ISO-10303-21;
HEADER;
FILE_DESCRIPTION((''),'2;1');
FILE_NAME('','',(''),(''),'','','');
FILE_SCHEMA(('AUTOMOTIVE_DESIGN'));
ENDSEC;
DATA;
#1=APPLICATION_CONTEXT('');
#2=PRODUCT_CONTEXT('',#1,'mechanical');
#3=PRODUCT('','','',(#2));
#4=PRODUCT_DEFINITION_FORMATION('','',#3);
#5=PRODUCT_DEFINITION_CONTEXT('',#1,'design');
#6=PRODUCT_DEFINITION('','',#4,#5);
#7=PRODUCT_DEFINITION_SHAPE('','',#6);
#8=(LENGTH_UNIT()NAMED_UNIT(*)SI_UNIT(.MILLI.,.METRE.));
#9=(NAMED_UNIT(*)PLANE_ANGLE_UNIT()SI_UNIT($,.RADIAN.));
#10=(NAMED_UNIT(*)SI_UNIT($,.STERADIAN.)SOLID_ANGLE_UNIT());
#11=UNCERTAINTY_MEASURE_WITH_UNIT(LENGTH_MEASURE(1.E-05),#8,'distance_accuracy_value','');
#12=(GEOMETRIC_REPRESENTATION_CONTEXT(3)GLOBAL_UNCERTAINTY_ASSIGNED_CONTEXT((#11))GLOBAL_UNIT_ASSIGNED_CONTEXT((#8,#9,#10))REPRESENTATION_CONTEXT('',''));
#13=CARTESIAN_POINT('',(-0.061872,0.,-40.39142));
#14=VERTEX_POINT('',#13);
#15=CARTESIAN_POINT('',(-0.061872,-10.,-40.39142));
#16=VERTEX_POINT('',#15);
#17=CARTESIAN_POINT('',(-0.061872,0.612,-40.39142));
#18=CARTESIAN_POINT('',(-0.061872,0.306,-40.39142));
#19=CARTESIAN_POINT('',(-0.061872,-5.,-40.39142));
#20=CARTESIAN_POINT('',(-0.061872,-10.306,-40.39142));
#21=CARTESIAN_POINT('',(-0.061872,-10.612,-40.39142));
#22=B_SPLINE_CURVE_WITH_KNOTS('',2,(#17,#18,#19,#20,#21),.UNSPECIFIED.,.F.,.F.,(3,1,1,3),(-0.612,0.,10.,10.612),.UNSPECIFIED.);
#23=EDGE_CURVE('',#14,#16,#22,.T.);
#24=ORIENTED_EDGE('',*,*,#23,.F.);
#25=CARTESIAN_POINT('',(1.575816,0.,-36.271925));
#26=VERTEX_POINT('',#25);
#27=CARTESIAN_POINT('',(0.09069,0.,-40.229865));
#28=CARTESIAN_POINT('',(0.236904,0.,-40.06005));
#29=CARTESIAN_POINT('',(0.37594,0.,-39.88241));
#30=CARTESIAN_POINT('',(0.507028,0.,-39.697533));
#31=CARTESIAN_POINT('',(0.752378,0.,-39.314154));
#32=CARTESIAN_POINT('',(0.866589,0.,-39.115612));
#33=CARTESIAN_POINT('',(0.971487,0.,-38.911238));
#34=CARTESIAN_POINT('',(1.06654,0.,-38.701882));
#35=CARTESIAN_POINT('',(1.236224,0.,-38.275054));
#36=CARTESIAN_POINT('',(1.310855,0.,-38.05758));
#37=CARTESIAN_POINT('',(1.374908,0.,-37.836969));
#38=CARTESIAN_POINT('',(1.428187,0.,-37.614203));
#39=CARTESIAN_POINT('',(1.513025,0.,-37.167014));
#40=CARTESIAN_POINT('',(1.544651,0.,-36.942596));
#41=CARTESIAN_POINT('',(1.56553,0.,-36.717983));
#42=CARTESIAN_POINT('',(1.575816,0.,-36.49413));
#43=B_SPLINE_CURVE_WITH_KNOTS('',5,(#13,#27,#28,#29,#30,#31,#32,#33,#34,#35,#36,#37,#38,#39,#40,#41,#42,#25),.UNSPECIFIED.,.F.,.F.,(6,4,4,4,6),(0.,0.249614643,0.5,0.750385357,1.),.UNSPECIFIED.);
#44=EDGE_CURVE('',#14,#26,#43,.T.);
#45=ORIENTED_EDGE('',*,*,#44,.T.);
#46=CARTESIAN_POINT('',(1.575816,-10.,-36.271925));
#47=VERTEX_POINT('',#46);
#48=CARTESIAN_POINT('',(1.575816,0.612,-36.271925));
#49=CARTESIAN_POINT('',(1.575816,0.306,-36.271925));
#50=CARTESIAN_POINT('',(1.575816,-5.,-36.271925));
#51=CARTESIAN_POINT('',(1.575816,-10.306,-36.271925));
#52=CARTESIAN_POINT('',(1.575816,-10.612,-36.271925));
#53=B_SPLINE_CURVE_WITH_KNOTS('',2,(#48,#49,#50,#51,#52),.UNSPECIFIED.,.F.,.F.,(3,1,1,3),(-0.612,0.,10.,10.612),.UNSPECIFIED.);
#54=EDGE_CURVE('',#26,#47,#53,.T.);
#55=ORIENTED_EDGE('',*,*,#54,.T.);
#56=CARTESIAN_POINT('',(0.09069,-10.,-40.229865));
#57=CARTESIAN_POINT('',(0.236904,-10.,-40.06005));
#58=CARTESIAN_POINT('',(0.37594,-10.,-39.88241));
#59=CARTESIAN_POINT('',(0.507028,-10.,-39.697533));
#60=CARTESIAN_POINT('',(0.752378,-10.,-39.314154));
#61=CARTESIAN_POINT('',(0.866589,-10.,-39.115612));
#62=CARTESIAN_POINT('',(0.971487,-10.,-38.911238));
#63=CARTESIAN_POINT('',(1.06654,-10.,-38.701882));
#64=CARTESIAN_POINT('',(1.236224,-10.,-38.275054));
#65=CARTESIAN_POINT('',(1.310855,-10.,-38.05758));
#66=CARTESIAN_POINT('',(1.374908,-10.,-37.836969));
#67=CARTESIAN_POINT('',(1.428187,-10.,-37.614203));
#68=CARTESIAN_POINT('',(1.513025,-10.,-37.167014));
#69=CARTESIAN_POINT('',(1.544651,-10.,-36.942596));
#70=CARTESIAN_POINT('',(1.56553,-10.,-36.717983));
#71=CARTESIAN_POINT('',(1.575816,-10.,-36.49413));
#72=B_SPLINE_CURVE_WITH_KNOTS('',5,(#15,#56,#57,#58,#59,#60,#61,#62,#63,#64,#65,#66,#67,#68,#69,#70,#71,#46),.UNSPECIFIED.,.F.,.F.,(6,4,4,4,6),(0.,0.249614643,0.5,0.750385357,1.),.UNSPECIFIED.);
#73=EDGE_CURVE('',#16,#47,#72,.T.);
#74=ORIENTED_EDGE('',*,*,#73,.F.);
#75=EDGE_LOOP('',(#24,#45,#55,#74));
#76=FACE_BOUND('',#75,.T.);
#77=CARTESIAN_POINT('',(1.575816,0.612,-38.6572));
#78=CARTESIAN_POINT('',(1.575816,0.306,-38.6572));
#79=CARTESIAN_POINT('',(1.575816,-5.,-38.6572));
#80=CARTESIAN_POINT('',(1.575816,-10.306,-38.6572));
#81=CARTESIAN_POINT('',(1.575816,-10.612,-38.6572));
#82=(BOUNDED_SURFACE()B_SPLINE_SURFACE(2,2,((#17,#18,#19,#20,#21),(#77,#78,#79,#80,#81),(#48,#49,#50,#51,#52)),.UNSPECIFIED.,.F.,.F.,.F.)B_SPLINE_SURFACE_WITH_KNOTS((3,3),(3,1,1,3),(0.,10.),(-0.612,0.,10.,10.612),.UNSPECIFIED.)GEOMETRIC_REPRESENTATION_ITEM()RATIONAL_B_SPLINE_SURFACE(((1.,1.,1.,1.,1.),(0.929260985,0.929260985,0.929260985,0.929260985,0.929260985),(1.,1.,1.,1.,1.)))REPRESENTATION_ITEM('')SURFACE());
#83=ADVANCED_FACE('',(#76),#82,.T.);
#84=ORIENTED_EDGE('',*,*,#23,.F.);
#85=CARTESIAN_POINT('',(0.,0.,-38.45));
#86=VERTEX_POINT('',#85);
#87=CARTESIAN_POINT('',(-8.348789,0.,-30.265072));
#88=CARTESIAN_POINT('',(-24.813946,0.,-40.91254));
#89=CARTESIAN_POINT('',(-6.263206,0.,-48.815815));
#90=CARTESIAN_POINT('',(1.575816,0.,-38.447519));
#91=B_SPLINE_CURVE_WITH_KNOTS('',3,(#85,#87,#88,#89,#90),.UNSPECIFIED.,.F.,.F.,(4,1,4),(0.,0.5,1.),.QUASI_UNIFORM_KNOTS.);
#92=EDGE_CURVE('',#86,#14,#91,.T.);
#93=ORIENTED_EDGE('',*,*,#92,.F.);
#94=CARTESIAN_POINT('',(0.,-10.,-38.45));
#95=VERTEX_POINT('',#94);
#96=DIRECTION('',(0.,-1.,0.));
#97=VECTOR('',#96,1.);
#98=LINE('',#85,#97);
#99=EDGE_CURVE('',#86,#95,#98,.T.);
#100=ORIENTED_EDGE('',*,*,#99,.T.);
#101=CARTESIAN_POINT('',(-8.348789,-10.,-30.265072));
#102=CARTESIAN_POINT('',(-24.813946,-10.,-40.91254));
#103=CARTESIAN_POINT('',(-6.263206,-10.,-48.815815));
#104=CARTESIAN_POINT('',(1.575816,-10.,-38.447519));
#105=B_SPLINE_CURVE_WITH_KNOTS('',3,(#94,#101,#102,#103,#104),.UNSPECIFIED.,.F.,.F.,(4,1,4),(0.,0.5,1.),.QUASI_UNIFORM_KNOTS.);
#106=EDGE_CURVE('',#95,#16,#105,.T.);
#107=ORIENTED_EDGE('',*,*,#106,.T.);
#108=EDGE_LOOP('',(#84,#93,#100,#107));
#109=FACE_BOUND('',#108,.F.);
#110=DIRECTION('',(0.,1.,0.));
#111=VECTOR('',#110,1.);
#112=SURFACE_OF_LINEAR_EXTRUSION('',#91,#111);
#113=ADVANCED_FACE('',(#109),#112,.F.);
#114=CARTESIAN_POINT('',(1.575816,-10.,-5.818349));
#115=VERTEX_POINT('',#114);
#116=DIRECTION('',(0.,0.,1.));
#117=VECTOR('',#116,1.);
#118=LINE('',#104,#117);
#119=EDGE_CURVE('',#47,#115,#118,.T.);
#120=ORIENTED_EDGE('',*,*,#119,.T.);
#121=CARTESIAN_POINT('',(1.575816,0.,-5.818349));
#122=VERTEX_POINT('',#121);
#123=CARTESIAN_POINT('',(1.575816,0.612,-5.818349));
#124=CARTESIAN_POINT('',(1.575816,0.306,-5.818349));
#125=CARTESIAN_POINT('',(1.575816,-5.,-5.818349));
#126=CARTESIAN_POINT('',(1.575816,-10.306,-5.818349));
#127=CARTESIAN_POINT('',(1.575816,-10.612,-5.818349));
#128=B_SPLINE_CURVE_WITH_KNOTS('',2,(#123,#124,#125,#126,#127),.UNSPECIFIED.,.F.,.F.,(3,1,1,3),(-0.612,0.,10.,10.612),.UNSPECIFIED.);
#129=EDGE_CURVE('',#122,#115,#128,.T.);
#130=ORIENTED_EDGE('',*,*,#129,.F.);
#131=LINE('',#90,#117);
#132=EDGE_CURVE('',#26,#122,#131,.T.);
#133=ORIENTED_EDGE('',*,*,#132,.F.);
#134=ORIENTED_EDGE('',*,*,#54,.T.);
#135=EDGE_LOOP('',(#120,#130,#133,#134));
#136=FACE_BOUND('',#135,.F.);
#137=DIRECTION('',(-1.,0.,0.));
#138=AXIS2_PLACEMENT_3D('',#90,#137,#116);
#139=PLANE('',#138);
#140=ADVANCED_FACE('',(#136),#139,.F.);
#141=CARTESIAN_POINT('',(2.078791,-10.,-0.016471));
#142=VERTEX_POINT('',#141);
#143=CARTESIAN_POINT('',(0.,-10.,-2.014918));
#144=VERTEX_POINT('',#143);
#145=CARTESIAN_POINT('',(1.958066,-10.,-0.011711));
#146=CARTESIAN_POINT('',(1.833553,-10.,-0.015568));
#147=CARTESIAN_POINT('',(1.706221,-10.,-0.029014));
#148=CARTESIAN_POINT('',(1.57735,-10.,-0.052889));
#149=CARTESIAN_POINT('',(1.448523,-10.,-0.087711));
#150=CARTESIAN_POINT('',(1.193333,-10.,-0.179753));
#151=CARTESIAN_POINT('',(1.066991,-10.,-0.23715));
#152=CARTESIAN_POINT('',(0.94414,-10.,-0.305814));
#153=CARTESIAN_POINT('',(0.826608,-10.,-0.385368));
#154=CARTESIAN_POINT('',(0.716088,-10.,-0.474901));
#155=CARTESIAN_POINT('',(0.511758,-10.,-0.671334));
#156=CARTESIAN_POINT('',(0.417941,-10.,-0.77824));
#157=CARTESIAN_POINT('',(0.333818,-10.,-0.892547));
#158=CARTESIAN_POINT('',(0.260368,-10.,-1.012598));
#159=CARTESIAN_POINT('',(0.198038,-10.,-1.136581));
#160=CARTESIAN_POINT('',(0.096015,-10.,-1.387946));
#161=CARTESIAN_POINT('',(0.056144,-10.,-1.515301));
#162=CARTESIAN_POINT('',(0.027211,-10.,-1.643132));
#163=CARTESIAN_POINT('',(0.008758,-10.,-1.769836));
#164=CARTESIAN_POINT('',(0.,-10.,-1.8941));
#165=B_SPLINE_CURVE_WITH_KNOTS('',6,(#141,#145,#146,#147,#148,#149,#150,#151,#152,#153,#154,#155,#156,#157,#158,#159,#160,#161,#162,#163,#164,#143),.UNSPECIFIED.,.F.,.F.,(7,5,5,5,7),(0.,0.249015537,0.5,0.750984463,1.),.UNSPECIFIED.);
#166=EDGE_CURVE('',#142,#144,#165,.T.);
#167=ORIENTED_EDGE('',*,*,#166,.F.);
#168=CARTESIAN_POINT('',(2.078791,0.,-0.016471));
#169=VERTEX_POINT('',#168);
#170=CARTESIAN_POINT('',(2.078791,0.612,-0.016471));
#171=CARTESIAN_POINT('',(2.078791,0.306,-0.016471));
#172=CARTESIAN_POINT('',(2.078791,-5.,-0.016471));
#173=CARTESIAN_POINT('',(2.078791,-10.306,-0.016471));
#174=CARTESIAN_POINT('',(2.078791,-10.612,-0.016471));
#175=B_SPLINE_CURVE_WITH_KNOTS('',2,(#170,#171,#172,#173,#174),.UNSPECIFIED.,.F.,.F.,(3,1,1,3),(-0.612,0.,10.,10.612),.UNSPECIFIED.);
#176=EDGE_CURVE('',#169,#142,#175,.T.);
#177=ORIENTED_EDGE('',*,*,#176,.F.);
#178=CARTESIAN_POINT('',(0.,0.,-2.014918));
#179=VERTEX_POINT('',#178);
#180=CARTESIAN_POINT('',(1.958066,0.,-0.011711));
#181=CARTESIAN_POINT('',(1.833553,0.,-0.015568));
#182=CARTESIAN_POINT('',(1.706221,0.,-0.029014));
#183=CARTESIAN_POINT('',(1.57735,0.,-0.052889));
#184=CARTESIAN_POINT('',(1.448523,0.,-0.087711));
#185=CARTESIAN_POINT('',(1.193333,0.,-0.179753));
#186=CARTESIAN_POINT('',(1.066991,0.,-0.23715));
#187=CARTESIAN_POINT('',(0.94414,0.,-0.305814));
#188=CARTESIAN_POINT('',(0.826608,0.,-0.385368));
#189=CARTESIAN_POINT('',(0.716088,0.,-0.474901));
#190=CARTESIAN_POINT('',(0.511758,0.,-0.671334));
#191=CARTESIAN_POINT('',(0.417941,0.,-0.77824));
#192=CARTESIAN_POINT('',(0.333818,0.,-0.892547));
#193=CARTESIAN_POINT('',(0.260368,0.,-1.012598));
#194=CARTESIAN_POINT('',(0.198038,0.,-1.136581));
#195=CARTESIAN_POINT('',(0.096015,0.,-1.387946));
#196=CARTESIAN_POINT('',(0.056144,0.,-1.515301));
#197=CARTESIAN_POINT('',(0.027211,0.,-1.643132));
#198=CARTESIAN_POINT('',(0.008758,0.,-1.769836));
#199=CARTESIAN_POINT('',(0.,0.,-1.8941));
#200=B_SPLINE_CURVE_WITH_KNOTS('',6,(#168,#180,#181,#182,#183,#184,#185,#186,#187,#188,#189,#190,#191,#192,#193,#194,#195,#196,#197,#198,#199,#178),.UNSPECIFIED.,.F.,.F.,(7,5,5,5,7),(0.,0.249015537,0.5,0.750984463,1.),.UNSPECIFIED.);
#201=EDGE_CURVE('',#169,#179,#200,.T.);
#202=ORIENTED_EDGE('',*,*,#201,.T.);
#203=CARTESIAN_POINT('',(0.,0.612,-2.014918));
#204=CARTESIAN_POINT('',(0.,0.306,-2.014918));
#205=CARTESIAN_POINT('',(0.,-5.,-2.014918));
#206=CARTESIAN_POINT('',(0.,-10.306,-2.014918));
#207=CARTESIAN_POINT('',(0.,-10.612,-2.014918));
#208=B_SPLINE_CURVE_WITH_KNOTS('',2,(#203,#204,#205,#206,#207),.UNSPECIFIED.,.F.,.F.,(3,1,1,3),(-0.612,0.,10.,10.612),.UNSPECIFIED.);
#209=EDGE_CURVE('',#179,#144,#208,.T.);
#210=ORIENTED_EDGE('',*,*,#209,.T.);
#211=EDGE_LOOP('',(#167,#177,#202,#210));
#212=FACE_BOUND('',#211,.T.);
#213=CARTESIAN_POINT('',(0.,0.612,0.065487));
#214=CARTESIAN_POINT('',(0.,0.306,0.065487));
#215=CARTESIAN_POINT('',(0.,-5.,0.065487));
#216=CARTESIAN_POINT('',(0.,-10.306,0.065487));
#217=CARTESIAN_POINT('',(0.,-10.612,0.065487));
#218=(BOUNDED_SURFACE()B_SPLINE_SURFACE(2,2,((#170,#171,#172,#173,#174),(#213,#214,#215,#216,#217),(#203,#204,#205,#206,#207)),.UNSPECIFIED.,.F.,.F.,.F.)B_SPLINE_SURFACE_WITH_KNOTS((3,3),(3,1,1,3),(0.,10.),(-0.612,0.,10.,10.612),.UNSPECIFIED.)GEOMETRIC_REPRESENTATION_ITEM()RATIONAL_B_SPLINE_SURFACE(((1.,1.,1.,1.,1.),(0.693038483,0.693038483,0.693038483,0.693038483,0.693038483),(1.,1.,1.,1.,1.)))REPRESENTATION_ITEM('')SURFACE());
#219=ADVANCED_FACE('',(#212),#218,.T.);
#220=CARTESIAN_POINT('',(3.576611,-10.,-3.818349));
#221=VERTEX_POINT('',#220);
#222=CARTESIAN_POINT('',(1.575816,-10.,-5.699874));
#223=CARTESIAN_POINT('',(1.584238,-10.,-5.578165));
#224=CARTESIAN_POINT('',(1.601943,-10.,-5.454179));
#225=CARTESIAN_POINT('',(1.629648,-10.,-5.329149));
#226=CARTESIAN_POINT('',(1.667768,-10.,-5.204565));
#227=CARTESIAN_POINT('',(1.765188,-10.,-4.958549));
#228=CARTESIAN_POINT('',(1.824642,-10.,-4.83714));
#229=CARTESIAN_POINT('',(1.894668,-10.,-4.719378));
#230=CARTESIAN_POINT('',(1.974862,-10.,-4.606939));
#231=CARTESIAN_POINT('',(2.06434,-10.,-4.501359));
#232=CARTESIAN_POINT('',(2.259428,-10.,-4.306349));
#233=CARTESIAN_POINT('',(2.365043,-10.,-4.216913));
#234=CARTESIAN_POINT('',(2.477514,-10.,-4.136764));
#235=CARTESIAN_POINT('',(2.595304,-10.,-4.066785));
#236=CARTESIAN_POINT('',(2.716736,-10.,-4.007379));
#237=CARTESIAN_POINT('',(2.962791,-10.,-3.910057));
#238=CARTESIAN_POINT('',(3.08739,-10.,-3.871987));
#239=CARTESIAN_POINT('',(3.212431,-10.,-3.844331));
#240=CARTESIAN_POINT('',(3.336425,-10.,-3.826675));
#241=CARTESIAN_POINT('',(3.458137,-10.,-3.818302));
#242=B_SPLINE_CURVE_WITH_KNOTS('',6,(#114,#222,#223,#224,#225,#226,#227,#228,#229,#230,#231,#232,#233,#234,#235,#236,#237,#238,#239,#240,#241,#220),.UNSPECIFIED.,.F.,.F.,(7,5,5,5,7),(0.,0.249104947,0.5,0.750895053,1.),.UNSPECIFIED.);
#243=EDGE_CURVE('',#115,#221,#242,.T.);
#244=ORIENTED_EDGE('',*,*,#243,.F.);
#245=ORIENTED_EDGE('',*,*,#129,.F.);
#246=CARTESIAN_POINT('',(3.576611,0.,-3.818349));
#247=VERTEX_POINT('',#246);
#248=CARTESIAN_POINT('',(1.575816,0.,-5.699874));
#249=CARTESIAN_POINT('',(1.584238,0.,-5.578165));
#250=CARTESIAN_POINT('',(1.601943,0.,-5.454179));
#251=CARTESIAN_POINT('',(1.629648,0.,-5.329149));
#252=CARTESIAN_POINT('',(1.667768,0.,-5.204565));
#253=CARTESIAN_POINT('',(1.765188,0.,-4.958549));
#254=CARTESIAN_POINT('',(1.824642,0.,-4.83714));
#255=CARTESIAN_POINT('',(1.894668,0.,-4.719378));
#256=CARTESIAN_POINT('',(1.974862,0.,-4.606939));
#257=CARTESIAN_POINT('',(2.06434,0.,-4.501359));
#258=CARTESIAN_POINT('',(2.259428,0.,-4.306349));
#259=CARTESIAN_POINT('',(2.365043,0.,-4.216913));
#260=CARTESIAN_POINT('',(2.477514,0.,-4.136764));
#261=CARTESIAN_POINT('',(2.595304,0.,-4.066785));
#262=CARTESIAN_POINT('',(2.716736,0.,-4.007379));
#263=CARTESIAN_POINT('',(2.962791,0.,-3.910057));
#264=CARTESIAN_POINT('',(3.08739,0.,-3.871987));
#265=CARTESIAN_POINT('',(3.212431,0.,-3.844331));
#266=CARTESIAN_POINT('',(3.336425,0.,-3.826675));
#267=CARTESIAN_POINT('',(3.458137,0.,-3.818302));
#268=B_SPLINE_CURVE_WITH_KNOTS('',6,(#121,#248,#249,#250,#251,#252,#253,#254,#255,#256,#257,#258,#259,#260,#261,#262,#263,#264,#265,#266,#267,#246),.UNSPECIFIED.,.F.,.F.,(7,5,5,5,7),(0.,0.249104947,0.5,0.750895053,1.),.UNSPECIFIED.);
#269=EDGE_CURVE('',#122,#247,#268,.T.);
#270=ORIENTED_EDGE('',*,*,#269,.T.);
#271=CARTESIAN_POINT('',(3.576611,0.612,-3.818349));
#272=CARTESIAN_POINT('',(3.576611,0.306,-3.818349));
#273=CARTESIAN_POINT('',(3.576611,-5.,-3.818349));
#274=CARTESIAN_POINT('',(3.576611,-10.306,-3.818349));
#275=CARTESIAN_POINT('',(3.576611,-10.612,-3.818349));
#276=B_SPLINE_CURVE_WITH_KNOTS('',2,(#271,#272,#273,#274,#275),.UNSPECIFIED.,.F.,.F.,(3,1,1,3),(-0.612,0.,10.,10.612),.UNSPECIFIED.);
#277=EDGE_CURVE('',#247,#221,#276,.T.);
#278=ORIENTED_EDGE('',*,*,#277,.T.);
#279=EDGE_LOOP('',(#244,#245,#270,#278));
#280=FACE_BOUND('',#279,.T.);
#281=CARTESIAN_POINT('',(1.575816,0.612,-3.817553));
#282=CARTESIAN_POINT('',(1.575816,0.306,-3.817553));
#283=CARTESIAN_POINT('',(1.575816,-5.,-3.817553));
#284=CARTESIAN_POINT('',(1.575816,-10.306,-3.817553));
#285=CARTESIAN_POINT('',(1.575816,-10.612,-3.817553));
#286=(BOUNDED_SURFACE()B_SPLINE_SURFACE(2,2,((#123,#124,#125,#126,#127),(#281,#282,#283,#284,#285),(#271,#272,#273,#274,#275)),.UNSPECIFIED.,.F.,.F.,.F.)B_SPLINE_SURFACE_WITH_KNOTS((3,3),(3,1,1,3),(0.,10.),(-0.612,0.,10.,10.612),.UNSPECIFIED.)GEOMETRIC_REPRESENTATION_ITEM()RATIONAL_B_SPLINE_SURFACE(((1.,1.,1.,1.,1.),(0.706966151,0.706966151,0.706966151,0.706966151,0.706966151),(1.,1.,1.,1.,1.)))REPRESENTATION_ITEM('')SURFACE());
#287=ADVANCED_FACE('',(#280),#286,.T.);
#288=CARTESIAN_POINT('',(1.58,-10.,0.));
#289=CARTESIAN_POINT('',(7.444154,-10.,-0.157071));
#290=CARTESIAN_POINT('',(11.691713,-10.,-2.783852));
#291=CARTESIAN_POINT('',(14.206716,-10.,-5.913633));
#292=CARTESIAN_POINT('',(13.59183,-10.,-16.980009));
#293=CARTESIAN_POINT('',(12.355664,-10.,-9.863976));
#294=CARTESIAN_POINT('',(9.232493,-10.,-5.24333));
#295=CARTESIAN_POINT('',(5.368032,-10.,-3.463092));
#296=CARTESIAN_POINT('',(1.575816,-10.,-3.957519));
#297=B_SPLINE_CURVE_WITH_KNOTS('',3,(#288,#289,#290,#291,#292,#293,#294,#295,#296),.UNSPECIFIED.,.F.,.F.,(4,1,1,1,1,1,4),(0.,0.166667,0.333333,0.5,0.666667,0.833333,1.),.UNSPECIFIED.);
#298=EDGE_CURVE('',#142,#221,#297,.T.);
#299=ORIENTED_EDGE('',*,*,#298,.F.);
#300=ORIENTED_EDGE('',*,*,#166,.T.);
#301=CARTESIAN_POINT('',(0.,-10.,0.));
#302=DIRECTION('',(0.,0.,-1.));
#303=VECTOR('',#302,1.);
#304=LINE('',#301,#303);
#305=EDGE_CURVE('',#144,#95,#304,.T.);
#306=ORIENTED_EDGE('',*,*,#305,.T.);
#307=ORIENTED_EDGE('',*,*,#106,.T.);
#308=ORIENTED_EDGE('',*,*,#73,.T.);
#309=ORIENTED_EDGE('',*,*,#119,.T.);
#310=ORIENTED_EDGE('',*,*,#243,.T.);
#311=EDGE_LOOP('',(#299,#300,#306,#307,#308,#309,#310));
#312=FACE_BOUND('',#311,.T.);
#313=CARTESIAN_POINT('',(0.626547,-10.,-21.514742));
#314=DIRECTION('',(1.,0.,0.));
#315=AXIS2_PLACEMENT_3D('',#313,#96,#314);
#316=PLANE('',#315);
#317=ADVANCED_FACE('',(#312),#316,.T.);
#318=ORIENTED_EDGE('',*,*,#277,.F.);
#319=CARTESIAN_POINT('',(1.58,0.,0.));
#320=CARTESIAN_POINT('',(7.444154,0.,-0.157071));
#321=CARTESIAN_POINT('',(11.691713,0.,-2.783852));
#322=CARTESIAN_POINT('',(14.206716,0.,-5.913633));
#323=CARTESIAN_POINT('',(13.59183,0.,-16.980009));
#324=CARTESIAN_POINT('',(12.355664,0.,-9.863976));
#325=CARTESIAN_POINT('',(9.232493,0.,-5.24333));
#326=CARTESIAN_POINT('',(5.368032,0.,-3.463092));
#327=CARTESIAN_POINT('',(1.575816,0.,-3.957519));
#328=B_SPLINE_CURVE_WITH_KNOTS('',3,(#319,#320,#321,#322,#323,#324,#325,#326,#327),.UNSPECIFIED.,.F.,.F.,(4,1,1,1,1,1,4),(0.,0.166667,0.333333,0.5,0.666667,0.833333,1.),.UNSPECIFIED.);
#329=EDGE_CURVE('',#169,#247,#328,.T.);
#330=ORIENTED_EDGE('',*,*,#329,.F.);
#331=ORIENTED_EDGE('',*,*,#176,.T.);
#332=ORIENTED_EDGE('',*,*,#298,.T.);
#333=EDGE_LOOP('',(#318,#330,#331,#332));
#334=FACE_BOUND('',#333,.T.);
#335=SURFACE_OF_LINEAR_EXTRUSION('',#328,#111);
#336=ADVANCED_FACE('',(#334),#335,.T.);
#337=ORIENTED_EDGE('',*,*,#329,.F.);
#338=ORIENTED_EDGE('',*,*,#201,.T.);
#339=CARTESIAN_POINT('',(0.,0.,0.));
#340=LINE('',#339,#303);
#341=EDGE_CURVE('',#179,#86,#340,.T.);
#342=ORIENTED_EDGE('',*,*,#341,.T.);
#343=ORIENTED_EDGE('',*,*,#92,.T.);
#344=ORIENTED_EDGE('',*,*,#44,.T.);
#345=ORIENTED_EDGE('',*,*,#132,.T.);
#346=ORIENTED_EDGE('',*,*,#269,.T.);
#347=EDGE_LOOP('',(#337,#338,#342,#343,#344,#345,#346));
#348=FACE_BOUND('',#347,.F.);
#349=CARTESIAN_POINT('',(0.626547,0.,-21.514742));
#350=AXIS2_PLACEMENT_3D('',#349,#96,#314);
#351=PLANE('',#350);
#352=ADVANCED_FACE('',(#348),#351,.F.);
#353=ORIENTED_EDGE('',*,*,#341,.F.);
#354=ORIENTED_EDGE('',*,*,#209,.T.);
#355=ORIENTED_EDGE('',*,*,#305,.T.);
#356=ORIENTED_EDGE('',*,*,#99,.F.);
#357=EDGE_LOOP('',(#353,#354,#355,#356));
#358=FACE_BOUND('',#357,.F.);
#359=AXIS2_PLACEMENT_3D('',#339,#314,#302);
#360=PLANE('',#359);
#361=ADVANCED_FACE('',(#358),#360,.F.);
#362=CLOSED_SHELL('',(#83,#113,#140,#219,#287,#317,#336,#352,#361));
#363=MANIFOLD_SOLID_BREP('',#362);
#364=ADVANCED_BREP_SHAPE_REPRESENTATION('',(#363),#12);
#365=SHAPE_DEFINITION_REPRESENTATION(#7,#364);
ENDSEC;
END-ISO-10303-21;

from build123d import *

# Parameters (mm, degrees)
PAD_DEPTH   = 10
FILLET_R    = 6
FILLET001_R = 2
FILLET002_R = 2


with BuildPart() as part:
    # Sketch → Pad (new body)
    with BuildSketch(Plane.XZ):
        with BuildLine():
            Line((0, 0), (0, -38.45))
            add(Edge.make_bspline(
                [(0, -38.45), (-8.348789, -30.265072), (-24.813946, -40.91254), (-6.263206, -48.815815), (1.575816, -38.447519)],
                knots=[0, 0, 0, 0, 0.5, 1, 1, 1, 1], degree=3))
            Line((1.575816, -38.447519), (1.575816, -3.957519))
            add(Edge.make_bspline(
                [(1.58, 0), (7.444154, -0.157071), (11.691713, -2.783852), (14.206716, -5.913633), (13.59183, -16.980009), (12.355664, -9.863976), (9.232493, -5.24333), (5.368032, -3.463092), (1.575816, -3.957519)],
                knots=[0, 0, 0, 0, 0.166667, 0.333333, 0.5, 0.666667, 0.833333, 1, 1, 1, 1], degree=3))
            Line((1.58, 0), (0, 0))
        make_face()
    extrude(amount=PAD_DEPTH)

    # Fillet
    fillet_edges = [part.edges().sort_by_distance(p)[0] for p in [
        (1.575816, -5, -38.447519),
    ]]
    fillet(fillet_edges, radius=FILLET_R)

    # Fillet001
    fillet001_edges = [part.edges().sort_by_distance(p)[0] for p in [
        (1.575816, -5, -3.957519),
    ]]
    fillet(fillet001_edges, radius=FILLET001_R)

    # Fillet002
    fillet002_edges = [part.edges().sort_by_distance(p)[0] for p in [
        (0, -5, 0),
    ]]
    fillet(fillet002_edges, radius=FILLET002_R)


solid = part.part
